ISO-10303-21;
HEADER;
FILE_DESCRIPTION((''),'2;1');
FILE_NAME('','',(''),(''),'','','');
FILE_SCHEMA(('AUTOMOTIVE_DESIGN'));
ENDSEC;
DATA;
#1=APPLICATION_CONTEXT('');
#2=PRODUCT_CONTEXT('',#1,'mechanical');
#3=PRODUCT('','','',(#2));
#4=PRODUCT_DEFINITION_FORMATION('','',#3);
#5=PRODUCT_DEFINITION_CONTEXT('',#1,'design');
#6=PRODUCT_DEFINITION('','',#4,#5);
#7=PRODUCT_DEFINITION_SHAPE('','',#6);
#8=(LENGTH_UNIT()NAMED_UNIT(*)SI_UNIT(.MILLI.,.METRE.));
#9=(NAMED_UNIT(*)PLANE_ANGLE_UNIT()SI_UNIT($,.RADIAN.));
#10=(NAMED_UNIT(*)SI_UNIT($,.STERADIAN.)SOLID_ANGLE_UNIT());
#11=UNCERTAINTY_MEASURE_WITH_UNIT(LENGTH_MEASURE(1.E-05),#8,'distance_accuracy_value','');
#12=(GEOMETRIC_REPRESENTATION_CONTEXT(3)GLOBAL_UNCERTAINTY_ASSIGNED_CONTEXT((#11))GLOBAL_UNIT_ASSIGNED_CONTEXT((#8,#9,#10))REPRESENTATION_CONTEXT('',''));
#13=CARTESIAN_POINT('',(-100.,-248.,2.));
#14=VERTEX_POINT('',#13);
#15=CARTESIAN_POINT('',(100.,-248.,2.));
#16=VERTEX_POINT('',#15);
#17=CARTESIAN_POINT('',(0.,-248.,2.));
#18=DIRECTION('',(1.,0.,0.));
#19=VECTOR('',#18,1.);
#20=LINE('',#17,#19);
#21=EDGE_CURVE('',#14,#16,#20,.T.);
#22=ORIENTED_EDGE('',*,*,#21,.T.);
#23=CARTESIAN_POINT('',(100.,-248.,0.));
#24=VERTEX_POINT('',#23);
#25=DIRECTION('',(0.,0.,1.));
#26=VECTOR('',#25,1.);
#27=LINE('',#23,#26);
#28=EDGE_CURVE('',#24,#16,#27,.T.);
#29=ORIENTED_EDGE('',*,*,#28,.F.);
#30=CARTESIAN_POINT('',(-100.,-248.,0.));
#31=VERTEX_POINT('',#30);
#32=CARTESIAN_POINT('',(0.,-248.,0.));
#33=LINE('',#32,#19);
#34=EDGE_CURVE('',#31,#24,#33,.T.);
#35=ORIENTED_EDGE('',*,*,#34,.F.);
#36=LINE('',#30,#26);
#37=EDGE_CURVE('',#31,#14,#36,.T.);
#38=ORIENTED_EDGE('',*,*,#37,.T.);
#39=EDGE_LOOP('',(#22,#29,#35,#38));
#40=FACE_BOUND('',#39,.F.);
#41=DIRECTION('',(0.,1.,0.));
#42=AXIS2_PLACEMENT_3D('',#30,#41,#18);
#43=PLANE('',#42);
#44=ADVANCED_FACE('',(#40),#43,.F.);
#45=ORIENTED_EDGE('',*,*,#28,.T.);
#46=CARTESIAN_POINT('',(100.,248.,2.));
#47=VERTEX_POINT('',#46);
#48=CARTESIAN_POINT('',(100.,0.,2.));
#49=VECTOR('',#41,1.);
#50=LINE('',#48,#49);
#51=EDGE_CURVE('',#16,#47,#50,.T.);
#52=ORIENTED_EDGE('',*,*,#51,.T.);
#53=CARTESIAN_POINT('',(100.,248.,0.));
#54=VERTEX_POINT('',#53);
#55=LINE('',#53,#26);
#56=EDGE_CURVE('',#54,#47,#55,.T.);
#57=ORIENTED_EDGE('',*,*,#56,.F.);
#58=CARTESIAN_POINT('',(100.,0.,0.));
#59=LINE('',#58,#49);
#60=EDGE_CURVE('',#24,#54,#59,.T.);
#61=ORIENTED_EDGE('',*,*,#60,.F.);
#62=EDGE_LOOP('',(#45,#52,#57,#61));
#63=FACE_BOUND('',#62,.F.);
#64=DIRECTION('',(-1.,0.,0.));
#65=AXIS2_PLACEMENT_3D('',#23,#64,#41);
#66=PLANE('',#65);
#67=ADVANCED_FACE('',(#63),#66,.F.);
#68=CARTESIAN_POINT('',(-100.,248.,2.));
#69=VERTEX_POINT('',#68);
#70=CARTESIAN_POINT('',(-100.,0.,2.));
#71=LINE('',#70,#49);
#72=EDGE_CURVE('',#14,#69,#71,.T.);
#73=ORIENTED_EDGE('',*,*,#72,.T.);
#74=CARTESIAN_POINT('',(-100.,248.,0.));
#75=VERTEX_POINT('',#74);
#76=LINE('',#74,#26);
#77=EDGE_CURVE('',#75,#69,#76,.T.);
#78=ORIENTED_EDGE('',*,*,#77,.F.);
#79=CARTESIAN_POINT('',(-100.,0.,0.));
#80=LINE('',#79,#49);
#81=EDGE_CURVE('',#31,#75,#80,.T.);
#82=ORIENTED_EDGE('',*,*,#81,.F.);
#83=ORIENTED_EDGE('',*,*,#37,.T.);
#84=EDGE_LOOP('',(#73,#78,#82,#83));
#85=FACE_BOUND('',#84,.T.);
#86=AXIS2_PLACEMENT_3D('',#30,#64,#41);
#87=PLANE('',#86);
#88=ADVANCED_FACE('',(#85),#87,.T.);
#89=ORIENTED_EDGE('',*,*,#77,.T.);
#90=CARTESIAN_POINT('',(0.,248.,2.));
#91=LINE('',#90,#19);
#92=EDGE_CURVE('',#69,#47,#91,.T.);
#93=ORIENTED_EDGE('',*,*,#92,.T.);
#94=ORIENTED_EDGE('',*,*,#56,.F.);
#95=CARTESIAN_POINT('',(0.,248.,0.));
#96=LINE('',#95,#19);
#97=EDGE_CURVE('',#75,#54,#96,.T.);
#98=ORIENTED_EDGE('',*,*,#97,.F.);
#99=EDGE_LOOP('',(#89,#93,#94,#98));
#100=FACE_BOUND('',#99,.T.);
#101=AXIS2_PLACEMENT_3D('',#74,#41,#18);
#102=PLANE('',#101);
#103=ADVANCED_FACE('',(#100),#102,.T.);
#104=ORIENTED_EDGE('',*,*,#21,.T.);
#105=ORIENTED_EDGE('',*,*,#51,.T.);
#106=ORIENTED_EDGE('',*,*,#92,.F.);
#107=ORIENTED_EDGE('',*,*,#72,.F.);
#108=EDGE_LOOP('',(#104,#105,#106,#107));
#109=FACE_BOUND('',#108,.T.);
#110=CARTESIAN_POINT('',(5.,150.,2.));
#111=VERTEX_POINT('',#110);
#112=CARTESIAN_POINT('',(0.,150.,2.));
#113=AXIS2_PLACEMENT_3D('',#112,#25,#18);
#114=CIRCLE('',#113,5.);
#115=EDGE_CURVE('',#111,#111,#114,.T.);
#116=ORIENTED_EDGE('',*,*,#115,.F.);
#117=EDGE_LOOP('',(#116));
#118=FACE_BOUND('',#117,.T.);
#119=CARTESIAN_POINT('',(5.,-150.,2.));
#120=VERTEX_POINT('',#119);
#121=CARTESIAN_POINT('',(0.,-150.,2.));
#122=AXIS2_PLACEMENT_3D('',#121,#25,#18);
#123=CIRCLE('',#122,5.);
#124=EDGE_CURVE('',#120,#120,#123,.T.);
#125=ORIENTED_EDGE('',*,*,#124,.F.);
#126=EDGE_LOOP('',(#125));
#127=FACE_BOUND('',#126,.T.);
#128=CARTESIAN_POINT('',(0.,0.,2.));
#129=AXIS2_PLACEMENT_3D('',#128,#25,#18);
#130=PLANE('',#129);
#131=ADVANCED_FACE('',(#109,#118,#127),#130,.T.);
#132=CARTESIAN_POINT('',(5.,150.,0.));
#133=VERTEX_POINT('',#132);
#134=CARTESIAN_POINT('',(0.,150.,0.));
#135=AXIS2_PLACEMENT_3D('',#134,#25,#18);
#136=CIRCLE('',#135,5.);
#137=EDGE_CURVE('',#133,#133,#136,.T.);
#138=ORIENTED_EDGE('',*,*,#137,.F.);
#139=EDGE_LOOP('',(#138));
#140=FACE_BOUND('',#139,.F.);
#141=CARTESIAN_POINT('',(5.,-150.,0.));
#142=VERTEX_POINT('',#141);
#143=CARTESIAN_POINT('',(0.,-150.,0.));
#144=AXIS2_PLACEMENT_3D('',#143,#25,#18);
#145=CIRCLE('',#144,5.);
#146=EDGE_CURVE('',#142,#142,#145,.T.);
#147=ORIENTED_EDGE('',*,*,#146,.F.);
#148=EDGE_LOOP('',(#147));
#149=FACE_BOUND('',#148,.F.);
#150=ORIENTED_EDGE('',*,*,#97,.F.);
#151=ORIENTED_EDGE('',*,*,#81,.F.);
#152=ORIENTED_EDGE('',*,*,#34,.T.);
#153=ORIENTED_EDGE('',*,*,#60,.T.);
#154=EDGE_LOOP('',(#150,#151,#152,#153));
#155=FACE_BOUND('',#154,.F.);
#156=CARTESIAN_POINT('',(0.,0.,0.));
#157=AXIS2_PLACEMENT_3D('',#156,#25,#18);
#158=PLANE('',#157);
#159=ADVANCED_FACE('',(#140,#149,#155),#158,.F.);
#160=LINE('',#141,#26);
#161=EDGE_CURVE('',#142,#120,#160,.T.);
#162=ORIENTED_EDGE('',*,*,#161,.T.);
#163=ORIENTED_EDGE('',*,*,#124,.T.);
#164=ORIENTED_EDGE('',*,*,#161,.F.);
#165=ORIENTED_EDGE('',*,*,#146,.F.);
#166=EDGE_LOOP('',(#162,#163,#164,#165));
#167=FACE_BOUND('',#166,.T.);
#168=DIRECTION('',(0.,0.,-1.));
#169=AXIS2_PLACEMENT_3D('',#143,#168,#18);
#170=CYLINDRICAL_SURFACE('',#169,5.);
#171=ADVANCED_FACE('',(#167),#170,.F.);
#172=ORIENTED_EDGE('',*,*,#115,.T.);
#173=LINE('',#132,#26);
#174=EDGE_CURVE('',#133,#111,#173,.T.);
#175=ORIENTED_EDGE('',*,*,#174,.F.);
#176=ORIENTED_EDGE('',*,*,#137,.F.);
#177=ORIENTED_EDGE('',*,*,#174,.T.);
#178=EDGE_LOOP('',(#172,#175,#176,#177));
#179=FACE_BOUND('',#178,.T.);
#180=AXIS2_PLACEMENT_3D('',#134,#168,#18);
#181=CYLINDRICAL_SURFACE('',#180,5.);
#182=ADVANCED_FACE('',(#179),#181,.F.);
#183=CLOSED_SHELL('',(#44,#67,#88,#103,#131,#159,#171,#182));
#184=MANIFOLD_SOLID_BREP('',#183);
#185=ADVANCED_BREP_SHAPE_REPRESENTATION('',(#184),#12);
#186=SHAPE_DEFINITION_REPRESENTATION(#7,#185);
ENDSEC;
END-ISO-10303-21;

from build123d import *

# Parameters (mm, degrees)
SKETCH1_W           = 200
SKETCH1_H           = 496
SKETCH1_R           = 5
BOSS_EXTRUDE1_DEPTH = 2


with BuildPart() as part:
    # Sketch1 → Boss-Extrude1 (new body)
    with BuildSketch(Plane.XY):
        Rectangle(SKETCH1_W, SKETCH1_H)
        with Locations((0, 150)):
            Circle(SKETCH1_R, mode=Mode.SUBTRACT)
        with Locations((0, -150)):
            Circle(SKETCH1_R, mode=Mode.SUBTRACT)
    extrude(amount=BOSS_EXTRUDE1_DEPTH)


solid = part.part
